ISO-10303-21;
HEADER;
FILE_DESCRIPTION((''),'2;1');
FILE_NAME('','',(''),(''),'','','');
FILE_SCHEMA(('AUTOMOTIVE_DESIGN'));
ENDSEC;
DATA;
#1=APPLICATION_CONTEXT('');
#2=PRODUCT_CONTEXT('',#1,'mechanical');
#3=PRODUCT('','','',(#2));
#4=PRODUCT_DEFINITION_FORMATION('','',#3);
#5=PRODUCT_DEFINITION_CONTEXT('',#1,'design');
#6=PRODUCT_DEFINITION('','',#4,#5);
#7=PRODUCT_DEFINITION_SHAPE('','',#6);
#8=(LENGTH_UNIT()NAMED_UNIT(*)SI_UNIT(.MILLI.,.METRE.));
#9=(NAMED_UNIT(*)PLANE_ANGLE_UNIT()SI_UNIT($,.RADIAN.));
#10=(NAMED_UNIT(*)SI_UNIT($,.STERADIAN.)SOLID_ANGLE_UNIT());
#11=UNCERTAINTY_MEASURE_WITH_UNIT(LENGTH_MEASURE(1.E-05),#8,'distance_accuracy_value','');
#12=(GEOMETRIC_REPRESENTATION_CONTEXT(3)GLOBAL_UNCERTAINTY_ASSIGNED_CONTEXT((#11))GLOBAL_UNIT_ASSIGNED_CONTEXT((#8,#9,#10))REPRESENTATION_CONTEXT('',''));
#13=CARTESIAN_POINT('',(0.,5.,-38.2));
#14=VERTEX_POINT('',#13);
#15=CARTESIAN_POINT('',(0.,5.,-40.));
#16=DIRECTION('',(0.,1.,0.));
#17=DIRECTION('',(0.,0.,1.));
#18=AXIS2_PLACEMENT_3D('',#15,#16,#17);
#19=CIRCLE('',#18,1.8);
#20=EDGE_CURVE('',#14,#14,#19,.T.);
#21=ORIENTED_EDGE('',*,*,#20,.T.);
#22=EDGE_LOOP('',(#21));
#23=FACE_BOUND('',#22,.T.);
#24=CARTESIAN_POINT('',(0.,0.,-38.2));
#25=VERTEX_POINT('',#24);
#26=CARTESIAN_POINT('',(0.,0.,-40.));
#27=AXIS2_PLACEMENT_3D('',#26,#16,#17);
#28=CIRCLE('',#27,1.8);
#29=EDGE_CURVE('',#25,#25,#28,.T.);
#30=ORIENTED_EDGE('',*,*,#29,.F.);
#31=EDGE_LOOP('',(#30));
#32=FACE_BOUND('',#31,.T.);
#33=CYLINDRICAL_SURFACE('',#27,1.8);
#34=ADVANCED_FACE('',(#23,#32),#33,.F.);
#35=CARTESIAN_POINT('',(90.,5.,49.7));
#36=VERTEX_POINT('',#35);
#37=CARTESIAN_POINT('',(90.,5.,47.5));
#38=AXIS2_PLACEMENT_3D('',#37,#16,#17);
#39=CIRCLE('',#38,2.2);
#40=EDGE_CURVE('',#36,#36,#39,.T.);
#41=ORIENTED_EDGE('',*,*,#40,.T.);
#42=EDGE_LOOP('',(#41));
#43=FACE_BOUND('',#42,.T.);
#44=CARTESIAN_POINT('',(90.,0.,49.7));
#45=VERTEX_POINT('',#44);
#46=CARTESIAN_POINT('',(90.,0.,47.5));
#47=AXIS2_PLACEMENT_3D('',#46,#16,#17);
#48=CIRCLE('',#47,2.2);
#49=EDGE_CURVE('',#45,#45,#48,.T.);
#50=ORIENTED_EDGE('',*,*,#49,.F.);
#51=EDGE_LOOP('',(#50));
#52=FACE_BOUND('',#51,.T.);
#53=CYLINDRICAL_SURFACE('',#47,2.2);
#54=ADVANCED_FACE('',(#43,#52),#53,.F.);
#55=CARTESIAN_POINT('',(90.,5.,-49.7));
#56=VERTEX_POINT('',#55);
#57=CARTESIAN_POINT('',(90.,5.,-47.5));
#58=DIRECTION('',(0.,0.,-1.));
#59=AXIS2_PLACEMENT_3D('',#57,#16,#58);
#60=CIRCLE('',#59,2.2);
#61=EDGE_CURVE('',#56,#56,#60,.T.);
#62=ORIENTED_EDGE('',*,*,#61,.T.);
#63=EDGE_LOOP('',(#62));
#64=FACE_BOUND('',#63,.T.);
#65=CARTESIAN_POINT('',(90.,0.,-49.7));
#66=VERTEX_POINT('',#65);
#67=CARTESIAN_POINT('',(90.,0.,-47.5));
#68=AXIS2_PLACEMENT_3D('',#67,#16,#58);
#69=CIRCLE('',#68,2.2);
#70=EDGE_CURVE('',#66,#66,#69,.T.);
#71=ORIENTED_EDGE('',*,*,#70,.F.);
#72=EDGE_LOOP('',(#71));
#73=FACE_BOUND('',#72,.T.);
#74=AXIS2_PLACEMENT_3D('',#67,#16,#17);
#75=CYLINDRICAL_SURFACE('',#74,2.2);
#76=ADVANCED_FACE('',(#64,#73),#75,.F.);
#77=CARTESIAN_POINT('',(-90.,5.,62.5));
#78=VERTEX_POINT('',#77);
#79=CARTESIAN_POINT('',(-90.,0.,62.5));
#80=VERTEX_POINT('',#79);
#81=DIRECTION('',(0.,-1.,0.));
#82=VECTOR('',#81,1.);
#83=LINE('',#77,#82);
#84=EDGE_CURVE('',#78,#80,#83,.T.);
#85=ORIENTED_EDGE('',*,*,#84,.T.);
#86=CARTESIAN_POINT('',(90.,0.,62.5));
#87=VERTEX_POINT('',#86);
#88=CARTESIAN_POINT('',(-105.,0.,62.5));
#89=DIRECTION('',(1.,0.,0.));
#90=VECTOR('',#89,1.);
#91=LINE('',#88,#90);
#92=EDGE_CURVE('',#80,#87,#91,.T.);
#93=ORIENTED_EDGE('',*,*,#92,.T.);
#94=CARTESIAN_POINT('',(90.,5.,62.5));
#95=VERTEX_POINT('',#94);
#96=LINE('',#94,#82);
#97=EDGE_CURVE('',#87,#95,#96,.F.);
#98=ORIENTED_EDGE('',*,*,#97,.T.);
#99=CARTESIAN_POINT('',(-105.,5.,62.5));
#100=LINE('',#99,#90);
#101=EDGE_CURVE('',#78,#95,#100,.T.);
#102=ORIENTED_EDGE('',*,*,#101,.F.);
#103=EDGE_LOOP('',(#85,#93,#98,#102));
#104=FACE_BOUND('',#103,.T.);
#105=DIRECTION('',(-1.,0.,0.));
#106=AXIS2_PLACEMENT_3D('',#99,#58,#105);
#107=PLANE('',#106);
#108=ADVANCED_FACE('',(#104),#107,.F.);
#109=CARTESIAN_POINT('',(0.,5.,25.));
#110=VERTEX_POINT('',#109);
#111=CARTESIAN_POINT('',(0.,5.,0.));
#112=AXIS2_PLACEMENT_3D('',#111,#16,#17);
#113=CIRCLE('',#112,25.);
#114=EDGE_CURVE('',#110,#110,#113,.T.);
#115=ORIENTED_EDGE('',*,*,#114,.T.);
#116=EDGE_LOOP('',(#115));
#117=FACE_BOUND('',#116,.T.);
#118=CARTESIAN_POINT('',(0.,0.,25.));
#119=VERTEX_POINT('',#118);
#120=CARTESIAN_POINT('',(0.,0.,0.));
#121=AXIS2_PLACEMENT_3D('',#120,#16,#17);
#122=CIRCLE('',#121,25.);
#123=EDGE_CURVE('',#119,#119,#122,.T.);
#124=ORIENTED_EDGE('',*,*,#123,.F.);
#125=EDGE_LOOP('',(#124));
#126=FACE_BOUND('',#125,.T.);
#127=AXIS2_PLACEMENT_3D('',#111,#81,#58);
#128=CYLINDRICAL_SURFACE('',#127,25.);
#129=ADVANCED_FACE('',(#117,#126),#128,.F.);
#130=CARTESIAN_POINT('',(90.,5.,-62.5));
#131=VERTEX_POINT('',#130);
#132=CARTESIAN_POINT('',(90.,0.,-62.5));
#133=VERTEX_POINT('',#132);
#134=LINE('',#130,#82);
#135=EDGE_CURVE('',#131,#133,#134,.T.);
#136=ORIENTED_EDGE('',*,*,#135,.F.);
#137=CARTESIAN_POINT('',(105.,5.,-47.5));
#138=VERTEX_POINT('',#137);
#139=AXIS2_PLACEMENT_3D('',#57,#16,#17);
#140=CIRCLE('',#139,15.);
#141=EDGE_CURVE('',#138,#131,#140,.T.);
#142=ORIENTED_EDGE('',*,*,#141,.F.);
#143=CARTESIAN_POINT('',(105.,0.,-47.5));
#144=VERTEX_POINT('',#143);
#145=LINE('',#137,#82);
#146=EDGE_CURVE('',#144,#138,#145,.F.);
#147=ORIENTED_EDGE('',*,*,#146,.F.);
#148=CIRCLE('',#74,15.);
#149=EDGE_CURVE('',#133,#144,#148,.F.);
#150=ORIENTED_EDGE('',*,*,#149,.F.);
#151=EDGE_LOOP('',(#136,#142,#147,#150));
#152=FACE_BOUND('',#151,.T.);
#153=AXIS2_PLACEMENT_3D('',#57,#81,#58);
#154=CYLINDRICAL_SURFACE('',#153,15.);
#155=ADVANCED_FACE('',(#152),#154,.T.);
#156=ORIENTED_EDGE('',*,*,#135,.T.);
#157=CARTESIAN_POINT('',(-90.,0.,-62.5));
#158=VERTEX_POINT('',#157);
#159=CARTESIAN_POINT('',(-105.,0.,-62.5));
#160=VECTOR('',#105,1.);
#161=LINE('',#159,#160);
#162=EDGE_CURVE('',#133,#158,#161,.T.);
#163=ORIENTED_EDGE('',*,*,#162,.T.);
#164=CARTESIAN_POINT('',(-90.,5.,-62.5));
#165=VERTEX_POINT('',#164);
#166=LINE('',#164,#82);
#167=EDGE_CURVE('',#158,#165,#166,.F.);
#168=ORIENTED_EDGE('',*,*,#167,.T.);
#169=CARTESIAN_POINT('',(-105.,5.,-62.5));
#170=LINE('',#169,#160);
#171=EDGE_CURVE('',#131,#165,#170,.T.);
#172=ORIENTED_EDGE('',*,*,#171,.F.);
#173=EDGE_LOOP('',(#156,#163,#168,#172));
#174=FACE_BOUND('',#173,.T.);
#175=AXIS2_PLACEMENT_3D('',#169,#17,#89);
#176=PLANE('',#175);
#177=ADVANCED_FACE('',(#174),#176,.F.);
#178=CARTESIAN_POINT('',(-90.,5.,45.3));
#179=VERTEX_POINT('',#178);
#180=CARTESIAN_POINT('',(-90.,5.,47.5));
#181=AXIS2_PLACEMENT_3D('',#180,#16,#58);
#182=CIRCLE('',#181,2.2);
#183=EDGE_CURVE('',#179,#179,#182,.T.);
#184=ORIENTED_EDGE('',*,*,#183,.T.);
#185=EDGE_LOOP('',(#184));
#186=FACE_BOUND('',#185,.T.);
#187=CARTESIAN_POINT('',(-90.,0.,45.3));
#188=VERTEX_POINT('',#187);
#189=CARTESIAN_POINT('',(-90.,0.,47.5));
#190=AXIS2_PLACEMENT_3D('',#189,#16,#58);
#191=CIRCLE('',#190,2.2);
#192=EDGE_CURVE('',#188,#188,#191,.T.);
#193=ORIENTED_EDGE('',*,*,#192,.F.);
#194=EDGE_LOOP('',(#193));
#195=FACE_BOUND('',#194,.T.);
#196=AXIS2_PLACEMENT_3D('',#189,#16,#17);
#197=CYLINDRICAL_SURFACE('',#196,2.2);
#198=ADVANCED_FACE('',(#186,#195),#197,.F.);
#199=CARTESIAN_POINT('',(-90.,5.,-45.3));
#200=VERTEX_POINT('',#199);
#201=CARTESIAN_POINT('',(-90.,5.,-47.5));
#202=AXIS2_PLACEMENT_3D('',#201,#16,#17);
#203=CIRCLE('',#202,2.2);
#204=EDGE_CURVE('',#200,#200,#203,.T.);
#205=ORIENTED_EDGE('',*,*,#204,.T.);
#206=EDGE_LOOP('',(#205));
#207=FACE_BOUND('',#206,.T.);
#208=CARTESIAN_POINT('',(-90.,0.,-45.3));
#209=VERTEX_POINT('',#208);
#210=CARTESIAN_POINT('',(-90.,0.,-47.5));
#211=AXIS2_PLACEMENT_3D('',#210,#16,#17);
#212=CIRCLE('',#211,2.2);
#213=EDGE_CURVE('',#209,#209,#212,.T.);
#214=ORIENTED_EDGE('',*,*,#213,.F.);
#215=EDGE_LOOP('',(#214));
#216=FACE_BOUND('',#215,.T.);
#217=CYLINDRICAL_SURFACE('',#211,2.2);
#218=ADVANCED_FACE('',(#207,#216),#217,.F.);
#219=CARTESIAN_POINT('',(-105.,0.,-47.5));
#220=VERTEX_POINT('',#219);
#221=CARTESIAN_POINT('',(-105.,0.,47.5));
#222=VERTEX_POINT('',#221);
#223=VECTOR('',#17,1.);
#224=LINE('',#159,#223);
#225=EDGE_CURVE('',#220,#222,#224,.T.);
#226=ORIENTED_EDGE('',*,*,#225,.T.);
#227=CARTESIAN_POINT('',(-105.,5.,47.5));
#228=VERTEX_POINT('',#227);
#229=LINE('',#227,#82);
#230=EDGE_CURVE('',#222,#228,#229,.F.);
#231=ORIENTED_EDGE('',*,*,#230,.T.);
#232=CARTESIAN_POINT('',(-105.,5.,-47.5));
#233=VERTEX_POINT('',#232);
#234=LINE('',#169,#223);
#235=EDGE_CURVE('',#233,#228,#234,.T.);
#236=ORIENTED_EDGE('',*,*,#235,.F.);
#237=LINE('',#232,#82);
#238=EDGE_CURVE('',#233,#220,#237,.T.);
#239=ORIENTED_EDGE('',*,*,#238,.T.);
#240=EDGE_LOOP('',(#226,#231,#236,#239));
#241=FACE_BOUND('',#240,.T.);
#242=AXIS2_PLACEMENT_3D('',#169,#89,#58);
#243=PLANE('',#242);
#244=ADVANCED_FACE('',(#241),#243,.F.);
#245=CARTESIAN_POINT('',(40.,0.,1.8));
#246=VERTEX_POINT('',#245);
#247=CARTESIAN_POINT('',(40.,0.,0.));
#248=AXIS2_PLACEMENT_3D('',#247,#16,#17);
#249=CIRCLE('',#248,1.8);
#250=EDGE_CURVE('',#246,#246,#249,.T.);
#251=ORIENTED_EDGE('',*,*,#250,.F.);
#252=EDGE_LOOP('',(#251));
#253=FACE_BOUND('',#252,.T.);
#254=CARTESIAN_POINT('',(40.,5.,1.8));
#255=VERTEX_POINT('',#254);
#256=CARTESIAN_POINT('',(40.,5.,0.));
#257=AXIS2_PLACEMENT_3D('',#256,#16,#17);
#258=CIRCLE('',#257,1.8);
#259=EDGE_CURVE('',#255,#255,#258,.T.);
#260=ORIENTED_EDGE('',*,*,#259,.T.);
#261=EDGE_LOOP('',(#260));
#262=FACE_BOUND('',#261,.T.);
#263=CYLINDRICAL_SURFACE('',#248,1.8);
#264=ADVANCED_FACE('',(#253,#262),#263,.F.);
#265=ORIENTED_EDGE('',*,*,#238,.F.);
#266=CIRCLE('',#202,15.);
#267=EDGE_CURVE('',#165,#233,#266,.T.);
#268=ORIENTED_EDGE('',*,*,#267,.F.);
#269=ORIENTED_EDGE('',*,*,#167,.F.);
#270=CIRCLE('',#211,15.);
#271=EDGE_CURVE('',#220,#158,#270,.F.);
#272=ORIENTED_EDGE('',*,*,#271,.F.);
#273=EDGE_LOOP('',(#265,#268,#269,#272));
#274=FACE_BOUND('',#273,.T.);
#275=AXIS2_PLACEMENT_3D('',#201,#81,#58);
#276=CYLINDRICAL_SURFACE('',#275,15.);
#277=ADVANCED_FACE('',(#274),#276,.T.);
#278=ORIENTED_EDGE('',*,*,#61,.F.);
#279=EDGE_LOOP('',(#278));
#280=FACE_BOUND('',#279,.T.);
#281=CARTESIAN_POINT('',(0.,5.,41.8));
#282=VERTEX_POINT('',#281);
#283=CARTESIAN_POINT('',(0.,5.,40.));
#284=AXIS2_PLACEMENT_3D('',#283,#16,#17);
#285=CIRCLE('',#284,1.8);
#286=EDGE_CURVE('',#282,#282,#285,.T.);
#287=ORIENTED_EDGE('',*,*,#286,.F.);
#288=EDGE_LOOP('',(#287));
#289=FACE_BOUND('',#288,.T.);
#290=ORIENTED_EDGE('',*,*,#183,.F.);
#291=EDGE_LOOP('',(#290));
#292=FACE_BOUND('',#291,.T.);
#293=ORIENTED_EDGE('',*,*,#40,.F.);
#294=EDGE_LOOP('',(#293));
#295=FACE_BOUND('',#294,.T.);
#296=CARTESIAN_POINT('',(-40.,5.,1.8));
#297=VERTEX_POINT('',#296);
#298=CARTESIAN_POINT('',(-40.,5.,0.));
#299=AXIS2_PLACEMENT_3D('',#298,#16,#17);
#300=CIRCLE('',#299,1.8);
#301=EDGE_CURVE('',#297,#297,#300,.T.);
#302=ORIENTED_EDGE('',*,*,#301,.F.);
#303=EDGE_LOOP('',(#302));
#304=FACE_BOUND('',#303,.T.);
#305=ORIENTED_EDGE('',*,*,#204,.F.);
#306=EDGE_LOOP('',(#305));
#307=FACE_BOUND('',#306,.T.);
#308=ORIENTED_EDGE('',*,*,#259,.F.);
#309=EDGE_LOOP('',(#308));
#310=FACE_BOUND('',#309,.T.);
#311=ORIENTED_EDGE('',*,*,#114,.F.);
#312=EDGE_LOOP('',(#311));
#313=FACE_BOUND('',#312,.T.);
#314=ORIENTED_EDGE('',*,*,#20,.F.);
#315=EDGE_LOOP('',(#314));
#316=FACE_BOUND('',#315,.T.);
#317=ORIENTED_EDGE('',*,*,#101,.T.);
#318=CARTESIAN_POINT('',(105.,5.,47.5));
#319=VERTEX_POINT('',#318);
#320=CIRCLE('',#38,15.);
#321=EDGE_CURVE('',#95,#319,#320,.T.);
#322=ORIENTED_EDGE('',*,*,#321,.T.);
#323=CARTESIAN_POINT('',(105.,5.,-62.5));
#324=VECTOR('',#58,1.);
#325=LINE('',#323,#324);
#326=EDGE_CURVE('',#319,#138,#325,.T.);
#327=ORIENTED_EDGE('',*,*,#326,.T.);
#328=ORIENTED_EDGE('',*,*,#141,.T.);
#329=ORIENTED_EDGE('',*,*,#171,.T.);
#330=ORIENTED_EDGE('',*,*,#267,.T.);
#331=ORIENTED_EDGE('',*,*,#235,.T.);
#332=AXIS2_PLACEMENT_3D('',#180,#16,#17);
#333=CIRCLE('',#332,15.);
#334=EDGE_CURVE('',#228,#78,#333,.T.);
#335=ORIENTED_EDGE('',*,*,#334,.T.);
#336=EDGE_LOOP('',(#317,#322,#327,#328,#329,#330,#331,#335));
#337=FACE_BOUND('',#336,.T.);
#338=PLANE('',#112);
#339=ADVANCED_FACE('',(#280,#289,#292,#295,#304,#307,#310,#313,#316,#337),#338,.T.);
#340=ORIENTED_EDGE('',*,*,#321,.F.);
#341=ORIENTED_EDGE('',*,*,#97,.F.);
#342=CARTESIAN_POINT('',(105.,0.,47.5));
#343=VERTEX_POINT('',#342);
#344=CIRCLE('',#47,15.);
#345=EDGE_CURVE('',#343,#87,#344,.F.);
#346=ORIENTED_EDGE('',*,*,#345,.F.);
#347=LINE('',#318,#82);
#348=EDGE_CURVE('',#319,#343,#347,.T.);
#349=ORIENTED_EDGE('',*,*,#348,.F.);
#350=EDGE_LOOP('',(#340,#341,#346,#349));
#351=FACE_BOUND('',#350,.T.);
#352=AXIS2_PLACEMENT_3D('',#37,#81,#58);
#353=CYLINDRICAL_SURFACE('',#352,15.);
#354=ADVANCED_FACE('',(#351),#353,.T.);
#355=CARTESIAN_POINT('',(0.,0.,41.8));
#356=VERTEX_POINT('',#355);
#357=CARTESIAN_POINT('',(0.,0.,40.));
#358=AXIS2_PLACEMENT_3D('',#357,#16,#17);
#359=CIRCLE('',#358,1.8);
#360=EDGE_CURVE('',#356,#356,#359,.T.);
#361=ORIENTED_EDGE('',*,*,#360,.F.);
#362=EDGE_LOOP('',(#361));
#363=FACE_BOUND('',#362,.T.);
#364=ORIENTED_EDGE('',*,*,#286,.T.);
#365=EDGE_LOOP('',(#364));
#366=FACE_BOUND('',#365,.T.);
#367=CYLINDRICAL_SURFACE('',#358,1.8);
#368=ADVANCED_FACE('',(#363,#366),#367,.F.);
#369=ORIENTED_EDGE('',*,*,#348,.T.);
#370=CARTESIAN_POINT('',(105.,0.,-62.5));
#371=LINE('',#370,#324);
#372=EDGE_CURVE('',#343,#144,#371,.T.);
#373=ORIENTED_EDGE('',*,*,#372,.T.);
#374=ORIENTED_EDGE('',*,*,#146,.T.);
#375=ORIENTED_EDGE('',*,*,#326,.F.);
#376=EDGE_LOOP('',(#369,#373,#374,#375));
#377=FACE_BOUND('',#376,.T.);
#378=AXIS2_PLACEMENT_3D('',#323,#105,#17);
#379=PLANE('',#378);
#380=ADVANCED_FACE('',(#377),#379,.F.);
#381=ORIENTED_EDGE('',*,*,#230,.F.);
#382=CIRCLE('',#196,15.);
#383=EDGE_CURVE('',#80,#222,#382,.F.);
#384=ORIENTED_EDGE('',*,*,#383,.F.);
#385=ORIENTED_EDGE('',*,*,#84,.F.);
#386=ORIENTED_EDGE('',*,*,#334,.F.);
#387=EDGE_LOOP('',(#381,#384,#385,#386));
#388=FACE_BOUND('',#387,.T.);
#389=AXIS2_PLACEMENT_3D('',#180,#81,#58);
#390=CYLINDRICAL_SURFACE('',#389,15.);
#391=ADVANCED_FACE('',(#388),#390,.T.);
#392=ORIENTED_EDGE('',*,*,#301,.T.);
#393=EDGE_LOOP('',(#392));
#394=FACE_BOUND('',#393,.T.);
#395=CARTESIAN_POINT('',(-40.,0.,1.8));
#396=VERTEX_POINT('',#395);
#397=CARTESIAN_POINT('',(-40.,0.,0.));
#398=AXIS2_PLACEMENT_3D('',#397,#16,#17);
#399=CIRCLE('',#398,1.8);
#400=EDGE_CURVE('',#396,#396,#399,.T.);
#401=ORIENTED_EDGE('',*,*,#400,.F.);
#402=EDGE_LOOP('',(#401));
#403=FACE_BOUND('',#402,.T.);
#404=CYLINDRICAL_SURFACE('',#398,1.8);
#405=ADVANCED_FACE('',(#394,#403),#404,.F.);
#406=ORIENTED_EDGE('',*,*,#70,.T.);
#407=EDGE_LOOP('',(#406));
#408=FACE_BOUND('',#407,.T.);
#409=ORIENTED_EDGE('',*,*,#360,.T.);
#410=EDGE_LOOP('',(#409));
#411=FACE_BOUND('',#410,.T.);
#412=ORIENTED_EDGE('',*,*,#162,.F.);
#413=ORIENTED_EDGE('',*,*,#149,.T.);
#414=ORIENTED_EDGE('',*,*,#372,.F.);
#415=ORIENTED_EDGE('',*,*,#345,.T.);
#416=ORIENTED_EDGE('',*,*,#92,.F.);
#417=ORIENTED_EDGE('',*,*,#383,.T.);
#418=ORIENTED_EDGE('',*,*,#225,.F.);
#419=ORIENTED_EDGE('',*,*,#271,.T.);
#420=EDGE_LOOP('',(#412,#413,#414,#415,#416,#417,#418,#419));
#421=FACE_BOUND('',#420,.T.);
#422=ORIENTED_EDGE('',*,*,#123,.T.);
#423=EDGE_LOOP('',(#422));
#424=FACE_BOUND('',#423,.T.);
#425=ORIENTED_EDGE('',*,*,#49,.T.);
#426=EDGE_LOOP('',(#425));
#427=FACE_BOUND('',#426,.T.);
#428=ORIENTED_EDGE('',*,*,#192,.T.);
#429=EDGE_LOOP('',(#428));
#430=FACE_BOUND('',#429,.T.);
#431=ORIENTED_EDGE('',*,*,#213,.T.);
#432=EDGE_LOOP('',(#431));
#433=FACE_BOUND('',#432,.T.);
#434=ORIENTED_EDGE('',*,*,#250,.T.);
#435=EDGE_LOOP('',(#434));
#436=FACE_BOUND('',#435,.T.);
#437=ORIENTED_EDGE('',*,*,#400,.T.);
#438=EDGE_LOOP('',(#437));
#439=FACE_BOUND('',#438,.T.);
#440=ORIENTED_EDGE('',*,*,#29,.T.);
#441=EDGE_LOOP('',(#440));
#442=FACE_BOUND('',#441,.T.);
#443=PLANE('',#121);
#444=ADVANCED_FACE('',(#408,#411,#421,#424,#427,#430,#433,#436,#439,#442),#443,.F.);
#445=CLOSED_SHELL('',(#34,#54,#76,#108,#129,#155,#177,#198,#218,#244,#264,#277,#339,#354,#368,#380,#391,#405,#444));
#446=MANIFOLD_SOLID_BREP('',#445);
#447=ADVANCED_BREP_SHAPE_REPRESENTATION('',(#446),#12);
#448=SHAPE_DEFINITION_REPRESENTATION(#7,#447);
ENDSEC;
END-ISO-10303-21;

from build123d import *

# Parameters (mm, degrees)
SKETCH_1_R          = 60
SKETCH_1_R_2        = 25
EXTRUDE_1_DEPTH     = 5
SKETCH_2_R          = 1.8
CUT_EXTRUDE_1_DEPTH = 5
SKETCH_4_W          = 210
SKETCH_4_H          = 125
SKETCH_4_R          = 60
EXTRUDE_2_DEPTH     = 5
SKETCH_5_R          = 2.2
CUT_EXTRUDE_2_DEPTH = 5
FILLET_1_R          = 15


with BuildPart() as part:
    # 草图1 → 凸台-拉伸1 (new body)
    with BuildSketch(Plane(origin=(0, 0, 0), x_dir=(1, 0, 0), z_dir=(0, 1, 0))):
        with Locations(Location((0, 0, 0), (0, 0, 270))):
            Circle(SKETCH_1_R)
        with Locations(Location((0, 0, 0), (0, 0, 270))):
            Circle(SKETCH_1_R_2, mode=Mode.SUBTRACT)
    extrude(amount=EXTRUDE_1_DEPTH)

    # 草图2 → 切除-拉伸1 (cut)
    with BuildSketch(Plane(origin=(0, 5, 0), x_dir=(1, 0, 0), z_dir=(0, 1, 0))):
        with Locations(Location((0, 40, 0), (0, 0, 270))):
            Circle(SKETCH_2_R)
        with Locations(Location((40, 0, 0), (0, 0, 270))):
            Circle(SKETCH_2_R)
        with Locations(Location((0, -40, 0), (0, 0, 270))):
            Circle(SKETCH_2_R)
        with Locations(Location((-40, 0, 0), (0, 0, 270))):
            Circle(SKETCH_2_R)
    extrude(amount=-CUT_EXTRUDE_1_DEPTH, mode=Mode.SUBTRACT)

    # 草图4 → 凸台-拉伸2 (add)
    with BuildSketch(Plane(origin=(0, 0, 0), x_dir=(1, 0, 0), z_dir=(0, 1, 0))):
        Rectangle(SKETCH_4_W, SKETCH_4_H)
        Circle(SKETCH_4_R, mode=Mode.SUBTRACT)
    extrude(amount=EXTRUDE_2_DEPTH)

    # 草图5 → 切除-拉伸2 (cut)
    with BuildSketch(Plane(origin=(0, 5, 0), x_dir=(1, 0, 0), z_dir=(0, 1, 0))):
        with Locations(Location((-90, 47.5, 0), (0, 0, 270))):
            Circle(SKETCH_5_R)
        with Locations(Location((90, 47.5, 0), (0, 0, 90))):
            Circle(SKETCH_5_R)
        with Locations(Location((90, -47.5, 0), (0, 0, 270))):
            Circle(SKETCH_5_R)
        with Locations(Location((-90, -47.5, 0), (0, 0, 90))):
            Circle(SKETCH_5_R)
    extrude(amount=-CUT_EXTRUDE_2_DEPTH, mode=Mode.SUBTRACT)

    # 圆角1
    fillet_1_edges = [part.edges().sort_by_distance(p)[0] for p in [
        (-105, 2.5, -62.5),
        (-105, 2.5, 62.5),
        (105, 2.5, 62.5),
        (105, 2.5, -62.5),
    ]]
    fillet(fillet_1_edges, radius=FILLET_1_R)


solid = part.part
